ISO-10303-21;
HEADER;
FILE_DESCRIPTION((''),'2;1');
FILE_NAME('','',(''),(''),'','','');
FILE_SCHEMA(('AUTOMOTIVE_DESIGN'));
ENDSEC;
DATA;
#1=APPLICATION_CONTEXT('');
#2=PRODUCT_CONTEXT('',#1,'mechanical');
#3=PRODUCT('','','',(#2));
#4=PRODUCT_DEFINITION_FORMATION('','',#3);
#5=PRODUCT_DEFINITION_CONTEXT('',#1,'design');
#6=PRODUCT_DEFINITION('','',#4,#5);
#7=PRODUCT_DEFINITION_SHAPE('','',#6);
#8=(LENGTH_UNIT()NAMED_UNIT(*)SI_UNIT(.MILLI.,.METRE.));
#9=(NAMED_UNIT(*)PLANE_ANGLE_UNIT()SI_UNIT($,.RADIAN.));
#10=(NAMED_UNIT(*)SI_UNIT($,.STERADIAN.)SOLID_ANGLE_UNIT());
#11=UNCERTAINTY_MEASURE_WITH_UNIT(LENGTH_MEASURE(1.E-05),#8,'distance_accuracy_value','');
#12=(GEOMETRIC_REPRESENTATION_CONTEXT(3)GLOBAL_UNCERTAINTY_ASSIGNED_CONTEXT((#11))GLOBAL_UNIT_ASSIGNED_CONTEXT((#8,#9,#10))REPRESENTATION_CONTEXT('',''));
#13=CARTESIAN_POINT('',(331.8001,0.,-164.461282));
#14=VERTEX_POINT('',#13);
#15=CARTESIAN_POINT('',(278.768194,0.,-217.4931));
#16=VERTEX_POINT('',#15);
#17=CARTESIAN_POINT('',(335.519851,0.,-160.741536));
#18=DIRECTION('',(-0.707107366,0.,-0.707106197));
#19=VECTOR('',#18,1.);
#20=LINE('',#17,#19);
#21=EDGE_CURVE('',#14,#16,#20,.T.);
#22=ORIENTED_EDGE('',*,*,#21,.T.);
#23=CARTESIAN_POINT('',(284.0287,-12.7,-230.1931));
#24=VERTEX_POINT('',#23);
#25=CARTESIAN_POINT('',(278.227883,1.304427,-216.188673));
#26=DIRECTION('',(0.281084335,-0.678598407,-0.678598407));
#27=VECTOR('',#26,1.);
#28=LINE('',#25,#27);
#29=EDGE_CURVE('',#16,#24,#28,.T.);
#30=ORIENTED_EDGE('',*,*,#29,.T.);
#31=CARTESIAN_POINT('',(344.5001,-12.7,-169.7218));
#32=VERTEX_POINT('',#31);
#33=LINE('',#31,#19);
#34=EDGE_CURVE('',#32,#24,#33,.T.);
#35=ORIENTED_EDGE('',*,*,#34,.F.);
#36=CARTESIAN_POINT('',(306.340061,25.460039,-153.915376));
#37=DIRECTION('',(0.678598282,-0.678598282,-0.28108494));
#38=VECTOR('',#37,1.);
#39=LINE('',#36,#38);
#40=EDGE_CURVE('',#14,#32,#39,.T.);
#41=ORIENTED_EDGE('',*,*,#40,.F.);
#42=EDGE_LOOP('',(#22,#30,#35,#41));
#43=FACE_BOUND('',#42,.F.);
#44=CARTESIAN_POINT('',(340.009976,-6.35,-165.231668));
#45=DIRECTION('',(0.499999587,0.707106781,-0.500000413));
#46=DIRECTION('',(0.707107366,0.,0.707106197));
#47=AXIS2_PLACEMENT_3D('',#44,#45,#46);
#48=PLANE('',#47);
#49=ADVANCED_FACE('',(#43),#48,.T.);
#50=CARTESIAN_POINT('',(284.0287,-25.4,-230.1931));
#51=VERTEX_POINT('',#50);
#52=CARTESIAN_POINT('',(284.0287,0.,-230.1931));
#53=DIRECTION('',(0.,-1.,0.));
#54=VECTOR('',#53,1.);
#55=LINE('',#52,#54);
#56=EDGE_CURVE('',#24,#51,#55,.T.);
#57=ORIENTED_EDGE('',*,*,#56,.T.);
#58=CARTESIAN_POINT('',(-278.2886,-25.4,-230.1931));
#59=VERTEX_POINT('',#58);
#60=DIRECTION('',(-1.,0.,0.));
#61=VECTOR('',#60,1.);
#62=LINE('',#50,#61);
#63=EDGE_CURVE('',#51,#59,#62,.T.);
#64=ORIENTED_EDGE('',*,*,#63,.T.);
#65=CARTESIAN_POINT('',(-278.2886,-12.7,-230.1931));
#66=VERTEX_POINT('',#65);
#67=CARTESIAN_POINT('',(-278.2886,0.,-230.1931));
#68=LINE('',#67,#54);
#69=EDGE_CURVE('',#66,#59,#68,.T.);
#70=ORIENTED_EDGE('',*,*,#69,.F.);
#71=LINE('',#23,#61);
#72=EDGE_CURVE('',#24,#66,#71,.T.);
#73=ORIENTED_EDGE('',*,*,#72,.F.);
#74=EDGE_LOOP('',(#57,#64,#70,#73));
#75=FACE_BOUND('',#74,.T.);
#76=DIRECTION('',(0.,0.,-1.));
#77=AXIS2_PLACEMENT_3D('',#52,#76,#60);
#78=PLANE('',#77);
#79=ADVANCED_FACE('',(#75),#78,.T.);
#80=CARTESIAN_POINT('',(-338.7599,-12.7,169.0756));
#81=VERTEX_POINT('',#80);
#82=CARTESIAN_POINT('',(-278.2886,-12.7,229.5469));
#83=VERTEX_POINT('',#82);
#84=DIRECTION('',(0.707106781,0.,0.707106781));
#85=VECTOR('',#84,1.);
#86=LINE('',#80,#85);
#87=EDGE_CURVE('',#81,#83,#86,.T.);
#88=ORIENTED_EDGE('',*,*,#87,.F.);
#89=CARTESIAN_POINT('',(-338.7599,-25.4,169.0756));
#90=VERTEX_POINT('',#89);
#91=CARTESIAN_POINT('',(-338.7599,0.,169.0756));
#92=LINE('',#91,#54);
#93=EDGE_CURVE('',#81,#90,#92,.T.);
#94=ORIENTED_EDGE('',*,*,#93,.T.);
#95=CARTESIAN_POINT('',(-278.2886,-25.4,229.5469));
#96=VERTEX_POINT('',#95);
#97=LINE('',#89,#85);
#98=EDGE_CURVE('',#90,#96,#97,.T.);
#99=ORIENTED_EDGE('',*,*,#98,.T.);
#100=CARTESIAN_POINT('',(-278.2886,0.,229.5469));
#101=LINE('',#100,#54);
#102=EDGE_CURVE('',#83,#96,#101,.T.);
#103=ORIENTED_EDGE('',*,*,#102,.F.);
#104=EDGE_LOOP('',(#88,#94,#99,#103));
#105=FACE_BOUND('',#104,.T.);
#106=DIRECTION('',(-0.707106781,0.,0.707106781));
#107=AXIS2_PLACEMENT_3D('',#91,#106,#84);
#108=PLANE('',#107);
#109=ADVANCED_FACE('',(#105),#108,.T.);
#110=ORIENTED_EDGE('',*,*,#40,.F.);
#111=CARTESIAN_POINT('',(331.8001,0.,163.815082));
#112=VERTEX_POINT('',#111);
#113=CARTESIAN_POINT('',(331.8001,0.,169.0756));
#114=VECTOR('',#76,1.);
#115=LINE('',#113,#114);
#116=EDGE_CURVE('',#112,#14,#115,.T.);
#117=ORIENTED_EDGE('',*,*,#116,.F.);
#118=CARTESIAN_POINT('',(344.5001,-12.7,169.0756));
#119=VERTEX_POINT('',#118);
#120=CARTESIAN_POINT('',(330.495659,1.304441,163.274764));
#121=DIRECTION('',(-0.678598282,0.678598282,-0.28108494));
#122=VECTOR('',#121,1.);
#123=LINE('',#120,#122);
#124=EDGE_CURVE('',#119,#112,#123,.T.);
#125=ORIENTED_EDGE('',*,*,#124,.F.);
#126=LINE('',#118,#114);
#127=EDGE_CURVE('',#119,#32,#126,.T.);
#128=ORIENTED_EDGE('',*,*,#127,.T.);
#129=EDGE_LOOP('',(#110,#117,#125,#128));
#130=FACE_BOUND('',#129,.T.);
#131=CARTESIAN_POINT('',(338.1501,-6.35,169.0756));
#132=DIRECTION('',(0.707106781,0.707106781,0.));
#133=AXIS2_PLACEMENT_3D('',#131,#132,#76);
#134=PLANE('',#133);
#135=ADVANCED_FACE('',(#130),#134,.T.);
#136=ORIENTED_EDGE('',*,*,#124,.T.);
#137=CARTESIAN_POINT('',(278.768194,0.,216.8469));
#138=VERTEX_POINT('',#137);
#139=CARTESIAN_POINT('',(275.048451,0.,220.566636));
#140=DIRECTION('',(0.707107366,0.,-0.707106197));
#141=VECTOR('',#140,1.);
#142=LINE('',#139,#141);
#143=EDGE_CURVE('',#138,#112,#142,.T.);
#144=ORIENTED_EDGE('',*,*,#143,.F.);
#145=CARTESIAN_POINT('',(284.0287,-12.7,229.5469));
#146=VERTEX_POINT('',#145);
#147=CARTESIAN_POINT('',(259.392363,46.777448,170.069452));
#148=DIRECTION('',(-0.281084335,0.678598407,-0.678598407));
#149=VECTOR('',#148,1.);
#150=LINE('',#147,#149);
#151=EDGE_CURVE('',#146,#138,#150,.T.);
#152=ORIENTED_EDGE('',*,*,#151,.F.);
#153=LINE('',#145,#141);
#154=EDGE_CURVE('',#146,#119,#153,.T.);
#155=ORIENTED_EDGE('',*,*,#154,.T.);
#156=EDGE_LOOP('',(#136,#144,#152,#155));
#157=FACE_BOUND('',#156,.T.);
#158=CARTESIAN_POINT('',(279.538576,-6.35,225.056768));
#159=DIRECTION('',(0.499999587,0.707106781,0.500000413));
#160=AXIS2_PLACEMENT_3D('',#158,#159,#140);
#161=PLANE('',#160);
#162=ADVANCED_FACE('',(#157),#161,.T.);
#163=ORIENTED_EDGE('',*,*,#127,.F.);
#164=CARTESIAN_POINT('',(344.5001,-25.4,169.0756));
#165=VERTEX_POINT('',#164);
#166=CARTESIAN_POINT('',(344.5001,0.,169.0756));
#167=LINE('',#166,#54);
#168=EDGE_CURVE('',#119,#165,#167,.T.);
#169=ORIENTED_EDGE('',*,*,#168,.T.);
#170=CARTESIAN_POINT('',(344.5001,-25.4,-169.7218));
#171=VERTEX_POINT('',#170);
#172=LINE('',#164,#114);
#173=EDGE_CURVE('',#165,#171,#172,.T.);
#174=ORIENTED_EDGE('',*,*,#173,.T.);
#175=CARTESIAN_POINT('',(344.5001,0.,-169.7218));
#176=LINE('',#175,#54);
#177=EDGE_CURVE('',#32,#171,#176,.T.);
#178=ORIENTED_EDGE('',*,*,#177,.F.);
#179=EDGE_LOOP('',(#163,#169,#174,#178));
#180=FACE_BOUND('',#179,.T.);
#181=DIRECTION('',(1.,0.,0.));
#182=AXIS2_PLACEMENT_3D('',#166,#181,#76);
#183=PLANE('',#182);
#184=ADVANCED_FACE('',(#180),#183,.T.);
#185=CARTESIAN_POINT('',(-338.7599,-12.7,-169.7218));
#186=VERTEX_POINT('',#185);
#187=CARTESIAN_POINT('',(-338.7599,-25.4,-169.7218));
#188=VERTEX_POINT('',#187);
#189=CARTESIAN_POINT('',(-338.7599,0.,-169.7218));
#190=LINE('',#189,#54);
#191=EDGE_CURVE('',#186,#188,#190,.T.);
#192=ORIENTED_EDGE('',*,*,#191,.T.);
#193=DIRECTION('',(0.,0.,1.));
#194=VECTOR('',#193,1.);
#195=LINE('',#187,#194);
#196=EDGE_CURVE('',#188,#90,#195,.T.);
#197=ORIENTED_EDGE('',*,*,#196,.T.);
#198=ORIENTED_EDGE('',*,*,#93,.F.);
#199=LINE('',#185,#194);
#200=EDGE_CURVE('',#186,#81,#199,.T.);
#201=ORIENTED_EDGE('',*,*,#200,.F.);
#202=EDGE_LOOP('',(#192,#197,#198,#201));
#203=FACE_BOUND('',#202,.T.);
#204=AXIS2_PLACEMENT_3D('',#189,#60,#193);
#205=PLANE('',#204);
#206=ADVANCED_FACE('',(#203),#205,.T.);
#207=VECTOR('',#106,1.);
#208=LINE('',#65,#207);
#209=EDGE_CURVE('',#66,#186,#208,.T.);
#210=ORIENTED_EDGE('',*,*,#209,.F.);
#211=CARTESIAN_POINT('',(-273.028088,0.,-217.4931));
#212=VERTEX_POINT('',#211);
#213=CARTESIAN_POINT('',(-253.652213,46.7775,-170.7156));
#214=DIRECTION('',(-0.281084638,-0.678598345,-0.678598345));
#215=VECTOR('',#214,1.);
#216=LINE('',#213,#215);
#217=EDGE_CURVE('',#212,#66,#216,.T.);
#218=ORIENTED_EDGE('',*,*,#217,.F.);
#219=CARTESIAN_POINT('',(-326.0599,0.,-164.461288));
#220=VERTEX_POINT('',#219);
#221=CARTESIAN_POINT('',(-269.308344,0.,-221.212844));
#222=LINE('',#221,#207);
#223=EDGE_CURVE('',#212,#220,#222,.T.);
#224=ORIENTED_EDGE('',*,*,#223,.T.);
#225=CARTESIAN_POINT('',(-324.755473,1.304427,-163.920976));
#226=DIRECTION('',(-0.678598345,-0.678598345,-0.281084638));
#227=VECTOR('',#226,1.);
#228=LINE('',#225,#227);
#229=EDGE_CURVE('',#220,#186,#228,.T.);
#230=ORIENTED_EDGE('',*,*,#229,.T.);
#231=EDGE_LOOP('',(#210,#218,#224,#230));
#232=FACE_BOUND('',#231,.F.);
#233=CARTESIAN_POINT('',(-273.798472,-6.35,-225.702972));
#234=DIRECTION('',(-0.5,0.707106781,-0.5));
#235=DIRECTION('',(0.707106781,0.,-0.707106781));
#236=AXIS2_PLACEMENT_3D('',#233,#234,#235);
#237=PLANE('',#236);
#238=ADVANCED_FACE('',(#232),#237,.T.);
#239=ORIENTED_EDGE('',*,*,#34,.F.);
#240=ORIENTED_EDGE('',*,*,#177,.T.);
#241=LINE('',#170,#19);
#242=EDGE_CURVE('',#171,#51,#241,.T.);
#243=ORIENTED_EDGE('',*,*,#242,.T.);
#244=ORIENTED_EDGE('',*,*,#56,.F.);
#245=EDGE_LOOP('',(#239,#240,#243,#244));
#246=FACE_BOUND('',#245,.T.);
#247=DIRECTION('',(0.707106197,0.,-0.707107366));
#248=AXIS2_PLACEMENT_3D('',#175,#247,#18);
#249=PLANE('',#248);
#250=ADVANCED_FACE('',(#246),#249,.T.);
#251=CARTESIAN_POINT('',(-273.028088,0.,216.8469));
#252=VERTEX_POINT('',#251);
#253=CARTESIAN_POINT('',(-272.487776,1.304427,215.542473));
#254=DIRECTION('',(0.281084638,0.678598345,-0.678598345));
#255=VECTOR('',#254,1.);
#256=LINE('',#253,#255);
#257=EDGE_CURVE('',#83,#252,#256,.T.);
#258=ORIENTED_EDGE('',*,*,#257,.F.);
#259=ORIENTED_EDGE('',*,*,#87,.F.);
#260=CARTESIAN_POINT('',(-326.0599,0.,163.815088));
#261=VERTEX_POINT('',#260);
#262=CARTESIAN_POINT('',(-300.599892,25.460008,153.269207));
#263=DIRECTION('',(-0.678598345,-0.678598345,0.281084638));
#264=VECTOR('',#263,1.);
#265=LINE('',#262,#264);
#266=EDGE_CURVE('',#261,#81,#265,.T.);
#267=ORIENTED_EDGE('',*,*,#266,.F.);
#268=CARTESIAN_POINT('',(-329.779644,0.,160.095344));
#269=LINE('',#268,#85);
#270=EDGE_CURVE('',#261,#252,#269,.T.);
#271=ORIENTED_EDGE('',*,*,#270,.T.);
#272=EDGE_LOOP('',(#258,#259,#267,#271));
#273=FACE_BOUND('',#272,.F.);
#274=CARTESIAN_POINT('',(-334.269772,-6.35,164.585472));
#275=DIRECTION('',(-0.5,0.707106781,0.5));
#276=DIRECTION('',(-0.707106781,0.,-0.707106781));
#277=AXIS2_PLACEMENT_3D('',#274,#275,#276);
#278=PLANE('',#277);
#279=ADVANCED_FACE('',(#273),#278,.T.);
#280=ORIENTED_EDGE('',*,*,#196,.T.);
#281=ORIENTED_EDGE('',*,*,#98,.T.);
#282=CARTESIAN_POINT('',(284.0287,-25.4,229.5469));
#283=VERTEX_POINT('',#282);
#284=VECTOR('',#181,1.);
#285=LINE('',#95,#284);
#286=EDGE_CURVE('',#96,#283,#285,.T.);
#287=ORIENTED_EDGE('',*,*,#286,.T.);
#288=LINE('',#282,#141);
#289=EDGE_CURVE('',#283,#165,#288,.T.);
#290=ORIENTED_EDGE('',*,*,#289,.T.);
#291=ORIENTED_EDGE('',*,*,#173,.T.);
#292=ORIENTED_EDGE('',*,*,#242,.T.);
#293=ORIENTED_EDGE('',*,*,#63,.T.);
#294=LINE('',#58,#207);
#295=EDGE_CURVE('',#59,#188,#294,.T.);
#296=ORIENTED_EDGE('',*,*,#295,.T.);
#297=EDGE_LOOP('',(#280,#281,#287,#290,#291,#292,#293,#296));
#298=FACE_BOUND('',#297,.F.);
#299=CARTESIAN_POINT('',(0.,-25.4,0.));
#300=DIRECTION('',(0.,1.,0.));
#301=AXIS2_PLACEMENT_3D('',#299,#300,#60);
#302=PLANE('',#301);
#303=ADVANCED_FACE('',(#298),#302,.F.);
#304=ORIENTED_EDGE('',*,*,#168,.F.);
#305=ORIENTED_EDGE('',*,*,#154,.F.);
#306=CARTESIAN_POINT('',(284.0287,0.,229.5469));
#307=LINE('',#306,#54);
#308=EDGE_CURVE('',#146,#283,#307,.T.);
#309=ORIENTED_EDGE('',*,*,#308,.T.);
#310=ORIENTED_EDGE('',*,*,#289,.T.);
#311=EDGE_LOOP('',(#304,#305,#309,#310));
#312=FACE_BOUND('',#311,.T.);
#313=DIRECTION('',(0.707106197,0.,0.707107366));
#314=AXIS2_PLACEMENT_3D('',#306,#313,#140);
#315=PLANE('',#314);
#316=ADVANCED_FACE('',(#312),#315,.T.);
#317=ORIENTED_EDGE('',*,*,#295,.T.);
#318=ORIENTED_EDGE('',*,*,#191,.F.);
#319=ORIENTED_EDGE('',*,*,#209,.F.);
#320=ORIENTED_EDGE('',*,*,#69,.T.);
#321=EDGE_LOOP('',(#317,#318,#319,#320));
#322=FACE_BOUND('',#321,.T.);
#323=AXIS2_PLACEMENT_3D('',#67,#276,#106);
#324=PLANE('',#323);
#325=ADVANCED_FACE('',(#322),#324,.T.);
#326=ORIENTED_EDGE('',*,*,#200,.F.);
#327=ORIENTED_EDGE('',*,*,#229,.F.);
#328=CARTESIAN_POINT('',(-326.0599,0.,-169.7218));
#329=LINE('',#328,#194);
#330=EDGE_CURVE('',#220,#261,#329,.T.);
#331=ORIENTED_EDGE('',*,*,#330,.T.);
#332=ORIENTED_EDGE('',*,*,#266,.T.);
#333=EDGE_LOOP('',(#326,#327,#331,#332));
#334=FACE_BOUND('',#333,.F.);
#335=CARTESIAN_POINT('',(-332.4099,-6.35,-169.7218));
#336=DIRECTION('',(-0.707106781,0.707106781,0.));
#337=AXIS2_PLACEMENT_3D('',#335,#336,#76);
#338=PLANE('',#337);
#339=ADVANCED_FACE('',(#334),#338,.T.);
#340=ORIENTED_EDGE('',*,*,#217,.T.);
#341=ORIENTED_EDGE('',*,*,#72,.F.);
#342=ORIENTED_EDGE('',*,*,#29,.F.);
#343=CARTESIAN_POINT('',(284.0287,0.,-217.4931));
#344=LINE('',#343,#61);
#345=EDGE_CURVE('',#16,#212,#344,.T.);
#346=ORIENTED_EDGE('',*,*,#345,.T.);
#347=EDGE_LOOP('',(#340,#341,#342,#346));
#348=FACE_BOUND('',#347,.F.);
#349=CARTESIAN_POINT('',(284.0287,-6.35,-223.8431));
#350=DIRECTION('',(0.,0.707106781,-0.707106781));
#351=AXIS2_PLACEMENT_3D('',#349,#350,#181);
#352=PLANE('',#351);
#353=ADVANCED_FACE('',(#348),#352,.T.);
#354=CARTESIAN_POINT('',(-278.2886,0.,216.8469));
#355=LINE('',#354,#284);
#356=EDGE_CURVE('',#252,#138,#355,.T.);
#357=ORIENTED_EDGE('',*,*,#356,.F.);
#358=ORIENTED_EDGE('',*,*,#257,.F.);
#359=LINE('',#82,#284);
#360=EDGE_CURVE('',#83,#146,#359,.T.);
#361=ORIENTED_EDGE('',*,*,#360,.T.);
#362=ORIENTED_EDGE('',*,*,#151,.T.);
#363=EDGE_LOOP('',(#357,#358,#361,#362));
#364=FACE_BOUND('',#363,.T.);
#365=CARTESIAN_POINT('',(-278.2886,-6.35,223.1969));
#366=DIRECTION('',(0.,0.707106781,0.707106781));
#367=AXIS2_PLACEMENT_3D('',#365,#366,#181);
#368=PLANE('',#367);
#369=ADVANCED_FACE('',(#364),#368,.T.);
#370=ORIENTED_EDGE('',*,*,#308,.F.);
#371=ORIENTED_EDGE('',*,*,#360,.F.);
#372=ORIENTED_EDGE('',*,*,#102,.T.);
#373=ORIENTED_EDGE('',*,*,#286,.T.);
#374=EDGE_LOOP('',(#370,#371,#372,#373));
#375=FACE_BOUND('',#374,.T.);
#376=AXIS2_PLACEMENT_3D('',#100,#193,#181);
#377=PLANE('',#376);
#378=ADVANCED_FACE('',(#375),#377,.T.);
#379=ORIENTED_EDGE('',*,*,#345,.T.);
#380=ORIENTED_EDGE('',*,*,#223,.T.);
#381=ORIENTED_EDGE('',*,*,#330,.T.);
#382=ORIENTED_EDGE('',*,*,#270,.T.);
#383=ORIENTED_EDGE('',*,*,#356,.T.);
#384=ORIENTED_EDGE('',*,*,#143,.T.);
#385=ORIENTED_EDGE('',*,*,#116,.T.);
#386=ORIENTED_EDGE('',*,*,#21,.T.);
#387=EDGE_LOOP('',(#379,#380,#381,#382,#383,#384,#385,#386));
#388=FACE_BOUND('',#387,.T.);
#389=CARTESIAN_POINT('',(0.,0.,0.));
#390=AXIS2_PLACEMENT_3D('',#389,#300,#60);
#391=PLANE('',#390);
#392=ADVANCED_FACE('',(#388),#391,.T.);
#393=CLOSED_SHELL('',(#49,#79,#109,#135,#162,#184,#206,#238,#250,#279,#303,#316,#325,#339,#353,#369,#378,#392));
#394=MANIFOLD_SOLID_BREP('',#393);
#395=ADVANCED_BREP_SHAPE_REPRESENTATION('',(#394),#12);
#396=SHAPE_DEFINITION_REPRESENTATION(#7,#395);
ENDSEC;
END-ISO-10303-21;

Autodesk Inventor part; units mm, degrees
ref_plane "YZ Plane" through (0, 0, 0) normal (1, 0, 0) x (0, 1, 0)
ref_plane "XZ Plane" through (0, 0, 0) normal (0, 1, 0) x (-1, 0, 0)
ref_plane "XY Plane" through (0, 0, 0) normal (0, 0, 1) x (1, 0, 0)
sketch "Sketch3" plane through (0, 0, 0) normal (0, 1, 0) x (-1, 0, 0)
  line L0 (-344.5001, 169.0756) -> (-344.5001, -169.7218)
  line L1 (-344.5001, -169.7218) -> (-284.0287, -230.1931)
  line L2 (-284.0287, -230.1931) -> (278.2886, -230.1931)
  line L3 (278.2886, -230.1931) -> (338.7599, -169.7218)
  line L4 (338.7599, -169.7218) -> (338.7599, 169.0756)
  line L5 (338.7599, 169.0756) -> (278.2886, 229.5469)
  line L6 (278.2886, 229.5469) -> (-284.0287, 229.5469)
  line L7 (-284.0287, 229.5469) -> (-344.5001, 169.0756)
  line L8 (-278.7682, 216.8469) -> (-331.8001, 163.8151)
  line L9 (273.0281, 216.8469) -> (-278.7682, 216.8469)
  line L10 (326.0599, 163.8151) -> (273.0281, 216.8469)
  line L11 (326.0599, -164.4613) -> (326.0599, 163.8151)
  line L12 (273.0281, -217.4931) -> (326.0599, -164.4613)
  line L13 (-278.7682, -217.4931) -> (273.0281, -217.4931)
  line L14 (-331.8001, -164.4613) -> (-278.7682, -217.4931)
  line L15 (-331.8001, 163.8151) -> (-331.8001, -164.4613)
  point P0 (0, 0)
  point P1 (-344.5001, -230.1931)
extrude "Extrusion3" add sketch "Sketch3" against normal blind 25.4 contours L7 L6 L5 L4 L3 L2 L1 L0 | L9 L10 L11 L12 L13 L14 L15 L8
chamfer "Chamfer1" distance 12.7 angle 45 8 edges at (-338.7599, 0, -0.3231) (-308.5243, 0, -199.9575) (2.8701, 0, -230.1931) (314.2644, 0, -199.9575) (344.5001, 0, -0.3231) (314.2644, 0, 199.3112) (2.8701, 0, 229.5469) (-308.5243, 0, 199.3112)
properties part number "BigContainerLid" material "Polycarbonate, Clear"
